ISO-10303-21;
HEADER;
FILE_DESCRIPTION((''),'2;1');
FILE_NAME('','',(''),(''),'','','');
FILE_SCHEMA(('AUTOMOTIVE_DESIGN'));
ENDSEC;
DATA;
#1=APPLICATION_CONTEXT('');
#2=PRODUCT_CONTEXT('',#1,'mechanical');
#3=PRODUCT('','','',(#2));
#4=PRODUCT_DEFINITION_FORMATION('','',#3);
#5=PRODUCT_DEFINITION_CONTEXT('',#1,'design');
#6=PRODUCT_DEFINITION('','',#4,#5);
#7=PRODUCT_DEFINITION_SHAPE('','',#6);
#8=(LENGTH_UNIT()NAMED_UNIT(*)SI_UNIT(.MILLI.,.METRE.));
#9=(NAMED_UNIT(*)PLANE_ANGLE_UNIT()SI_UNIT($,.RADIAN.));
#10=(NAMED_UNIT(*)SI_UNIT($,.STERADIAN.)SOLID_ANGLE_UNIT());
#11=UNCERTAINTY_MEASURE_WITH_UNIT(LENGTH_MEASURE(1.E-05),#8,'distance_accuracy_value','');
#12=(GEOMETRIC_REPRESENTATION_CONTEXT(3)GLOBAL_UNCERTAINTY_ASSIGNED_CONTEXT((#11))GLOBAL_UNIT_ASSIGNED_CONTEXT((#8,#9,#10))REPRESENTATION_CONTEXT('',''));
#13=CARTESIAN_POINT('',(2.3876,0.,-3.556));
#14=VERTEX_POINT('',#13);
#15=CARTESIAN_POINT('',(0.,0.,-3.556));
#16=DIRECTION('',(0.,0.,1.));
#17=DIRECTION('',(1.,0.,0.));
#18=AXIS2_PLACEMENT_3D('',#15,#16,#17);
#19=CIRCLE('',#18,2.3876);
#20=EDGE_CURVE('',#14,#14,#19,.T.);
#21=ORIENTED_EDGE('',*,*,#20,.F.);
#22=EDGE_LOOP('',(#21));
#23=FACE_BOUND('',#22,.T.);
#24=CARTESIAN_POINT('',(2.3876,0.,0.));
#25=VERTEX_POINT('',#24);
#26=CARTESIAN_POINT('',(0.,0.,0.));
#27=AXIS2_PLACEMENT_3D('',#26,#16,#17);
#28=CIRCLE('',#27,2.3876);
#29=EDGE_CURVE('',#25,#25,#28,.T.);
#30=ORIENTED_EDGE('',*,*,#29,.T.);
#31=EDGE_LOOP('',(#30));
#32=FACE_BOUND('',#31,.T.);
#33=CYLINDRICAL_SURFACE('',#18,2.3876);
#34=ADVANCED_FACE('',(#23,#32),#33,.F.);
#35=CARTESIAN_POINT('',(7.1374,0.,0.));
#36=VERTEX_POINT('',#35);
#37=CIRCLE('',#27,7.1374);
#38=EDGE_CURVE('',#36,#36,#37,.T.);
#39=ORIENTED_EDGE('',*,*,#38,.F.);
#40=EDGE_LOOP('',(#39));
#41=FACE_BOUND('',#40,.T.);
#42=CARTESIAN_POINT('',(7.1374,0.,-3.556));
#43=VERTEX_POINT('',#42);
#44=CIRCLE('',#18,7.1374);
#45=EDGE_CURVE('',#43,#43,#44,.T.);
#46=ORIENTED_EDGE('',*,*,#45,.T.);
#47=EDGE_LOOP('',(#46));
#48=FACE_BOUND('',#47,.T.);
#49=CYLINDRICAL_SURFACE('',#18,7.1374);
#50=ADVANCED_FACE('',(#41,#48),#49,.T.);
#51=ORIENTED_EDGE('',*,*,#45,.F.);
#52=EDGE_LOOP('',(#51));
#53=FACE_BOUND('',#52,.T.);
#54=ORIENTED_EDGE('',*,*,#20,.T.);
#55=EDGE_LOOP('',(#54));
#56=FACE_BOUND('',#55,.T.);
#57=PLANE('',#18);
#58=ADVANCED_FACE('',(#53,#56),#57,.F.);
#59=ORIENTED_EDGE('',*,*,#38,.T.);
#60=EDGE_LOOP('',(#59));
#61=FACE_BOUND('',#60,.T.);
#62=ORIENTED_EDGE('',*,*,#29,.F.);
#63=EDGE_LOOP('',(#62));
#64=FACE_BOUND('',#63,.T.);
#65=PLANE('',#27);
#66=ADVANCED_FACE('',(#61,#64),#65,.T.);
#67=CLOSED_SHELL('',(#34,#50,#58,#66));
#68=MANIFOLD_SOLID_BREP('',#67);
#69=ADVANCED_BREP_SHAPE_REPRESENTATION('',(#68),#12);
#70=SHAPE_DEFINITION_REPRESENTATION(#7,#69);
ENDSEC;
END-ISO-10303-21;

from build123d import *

# Parameters (mm, degrees)
SKETCH1_R      = 7.1374
SKETCH1_R_2    = 2.3876
EXTRUDE1_DEPTH = 3.556


with BuildPart() as part:
    # Sketch1 → Extrude1 (new body)
    with BuildSketch(Plane.XY):
        Circle(SKETCH1_R)
        Circle(SKETCH1_R_2, mode=Mode.SUBTRACT)
    extrude(amount=-EXTRUDE1_DEPTH)


solid = part.part
